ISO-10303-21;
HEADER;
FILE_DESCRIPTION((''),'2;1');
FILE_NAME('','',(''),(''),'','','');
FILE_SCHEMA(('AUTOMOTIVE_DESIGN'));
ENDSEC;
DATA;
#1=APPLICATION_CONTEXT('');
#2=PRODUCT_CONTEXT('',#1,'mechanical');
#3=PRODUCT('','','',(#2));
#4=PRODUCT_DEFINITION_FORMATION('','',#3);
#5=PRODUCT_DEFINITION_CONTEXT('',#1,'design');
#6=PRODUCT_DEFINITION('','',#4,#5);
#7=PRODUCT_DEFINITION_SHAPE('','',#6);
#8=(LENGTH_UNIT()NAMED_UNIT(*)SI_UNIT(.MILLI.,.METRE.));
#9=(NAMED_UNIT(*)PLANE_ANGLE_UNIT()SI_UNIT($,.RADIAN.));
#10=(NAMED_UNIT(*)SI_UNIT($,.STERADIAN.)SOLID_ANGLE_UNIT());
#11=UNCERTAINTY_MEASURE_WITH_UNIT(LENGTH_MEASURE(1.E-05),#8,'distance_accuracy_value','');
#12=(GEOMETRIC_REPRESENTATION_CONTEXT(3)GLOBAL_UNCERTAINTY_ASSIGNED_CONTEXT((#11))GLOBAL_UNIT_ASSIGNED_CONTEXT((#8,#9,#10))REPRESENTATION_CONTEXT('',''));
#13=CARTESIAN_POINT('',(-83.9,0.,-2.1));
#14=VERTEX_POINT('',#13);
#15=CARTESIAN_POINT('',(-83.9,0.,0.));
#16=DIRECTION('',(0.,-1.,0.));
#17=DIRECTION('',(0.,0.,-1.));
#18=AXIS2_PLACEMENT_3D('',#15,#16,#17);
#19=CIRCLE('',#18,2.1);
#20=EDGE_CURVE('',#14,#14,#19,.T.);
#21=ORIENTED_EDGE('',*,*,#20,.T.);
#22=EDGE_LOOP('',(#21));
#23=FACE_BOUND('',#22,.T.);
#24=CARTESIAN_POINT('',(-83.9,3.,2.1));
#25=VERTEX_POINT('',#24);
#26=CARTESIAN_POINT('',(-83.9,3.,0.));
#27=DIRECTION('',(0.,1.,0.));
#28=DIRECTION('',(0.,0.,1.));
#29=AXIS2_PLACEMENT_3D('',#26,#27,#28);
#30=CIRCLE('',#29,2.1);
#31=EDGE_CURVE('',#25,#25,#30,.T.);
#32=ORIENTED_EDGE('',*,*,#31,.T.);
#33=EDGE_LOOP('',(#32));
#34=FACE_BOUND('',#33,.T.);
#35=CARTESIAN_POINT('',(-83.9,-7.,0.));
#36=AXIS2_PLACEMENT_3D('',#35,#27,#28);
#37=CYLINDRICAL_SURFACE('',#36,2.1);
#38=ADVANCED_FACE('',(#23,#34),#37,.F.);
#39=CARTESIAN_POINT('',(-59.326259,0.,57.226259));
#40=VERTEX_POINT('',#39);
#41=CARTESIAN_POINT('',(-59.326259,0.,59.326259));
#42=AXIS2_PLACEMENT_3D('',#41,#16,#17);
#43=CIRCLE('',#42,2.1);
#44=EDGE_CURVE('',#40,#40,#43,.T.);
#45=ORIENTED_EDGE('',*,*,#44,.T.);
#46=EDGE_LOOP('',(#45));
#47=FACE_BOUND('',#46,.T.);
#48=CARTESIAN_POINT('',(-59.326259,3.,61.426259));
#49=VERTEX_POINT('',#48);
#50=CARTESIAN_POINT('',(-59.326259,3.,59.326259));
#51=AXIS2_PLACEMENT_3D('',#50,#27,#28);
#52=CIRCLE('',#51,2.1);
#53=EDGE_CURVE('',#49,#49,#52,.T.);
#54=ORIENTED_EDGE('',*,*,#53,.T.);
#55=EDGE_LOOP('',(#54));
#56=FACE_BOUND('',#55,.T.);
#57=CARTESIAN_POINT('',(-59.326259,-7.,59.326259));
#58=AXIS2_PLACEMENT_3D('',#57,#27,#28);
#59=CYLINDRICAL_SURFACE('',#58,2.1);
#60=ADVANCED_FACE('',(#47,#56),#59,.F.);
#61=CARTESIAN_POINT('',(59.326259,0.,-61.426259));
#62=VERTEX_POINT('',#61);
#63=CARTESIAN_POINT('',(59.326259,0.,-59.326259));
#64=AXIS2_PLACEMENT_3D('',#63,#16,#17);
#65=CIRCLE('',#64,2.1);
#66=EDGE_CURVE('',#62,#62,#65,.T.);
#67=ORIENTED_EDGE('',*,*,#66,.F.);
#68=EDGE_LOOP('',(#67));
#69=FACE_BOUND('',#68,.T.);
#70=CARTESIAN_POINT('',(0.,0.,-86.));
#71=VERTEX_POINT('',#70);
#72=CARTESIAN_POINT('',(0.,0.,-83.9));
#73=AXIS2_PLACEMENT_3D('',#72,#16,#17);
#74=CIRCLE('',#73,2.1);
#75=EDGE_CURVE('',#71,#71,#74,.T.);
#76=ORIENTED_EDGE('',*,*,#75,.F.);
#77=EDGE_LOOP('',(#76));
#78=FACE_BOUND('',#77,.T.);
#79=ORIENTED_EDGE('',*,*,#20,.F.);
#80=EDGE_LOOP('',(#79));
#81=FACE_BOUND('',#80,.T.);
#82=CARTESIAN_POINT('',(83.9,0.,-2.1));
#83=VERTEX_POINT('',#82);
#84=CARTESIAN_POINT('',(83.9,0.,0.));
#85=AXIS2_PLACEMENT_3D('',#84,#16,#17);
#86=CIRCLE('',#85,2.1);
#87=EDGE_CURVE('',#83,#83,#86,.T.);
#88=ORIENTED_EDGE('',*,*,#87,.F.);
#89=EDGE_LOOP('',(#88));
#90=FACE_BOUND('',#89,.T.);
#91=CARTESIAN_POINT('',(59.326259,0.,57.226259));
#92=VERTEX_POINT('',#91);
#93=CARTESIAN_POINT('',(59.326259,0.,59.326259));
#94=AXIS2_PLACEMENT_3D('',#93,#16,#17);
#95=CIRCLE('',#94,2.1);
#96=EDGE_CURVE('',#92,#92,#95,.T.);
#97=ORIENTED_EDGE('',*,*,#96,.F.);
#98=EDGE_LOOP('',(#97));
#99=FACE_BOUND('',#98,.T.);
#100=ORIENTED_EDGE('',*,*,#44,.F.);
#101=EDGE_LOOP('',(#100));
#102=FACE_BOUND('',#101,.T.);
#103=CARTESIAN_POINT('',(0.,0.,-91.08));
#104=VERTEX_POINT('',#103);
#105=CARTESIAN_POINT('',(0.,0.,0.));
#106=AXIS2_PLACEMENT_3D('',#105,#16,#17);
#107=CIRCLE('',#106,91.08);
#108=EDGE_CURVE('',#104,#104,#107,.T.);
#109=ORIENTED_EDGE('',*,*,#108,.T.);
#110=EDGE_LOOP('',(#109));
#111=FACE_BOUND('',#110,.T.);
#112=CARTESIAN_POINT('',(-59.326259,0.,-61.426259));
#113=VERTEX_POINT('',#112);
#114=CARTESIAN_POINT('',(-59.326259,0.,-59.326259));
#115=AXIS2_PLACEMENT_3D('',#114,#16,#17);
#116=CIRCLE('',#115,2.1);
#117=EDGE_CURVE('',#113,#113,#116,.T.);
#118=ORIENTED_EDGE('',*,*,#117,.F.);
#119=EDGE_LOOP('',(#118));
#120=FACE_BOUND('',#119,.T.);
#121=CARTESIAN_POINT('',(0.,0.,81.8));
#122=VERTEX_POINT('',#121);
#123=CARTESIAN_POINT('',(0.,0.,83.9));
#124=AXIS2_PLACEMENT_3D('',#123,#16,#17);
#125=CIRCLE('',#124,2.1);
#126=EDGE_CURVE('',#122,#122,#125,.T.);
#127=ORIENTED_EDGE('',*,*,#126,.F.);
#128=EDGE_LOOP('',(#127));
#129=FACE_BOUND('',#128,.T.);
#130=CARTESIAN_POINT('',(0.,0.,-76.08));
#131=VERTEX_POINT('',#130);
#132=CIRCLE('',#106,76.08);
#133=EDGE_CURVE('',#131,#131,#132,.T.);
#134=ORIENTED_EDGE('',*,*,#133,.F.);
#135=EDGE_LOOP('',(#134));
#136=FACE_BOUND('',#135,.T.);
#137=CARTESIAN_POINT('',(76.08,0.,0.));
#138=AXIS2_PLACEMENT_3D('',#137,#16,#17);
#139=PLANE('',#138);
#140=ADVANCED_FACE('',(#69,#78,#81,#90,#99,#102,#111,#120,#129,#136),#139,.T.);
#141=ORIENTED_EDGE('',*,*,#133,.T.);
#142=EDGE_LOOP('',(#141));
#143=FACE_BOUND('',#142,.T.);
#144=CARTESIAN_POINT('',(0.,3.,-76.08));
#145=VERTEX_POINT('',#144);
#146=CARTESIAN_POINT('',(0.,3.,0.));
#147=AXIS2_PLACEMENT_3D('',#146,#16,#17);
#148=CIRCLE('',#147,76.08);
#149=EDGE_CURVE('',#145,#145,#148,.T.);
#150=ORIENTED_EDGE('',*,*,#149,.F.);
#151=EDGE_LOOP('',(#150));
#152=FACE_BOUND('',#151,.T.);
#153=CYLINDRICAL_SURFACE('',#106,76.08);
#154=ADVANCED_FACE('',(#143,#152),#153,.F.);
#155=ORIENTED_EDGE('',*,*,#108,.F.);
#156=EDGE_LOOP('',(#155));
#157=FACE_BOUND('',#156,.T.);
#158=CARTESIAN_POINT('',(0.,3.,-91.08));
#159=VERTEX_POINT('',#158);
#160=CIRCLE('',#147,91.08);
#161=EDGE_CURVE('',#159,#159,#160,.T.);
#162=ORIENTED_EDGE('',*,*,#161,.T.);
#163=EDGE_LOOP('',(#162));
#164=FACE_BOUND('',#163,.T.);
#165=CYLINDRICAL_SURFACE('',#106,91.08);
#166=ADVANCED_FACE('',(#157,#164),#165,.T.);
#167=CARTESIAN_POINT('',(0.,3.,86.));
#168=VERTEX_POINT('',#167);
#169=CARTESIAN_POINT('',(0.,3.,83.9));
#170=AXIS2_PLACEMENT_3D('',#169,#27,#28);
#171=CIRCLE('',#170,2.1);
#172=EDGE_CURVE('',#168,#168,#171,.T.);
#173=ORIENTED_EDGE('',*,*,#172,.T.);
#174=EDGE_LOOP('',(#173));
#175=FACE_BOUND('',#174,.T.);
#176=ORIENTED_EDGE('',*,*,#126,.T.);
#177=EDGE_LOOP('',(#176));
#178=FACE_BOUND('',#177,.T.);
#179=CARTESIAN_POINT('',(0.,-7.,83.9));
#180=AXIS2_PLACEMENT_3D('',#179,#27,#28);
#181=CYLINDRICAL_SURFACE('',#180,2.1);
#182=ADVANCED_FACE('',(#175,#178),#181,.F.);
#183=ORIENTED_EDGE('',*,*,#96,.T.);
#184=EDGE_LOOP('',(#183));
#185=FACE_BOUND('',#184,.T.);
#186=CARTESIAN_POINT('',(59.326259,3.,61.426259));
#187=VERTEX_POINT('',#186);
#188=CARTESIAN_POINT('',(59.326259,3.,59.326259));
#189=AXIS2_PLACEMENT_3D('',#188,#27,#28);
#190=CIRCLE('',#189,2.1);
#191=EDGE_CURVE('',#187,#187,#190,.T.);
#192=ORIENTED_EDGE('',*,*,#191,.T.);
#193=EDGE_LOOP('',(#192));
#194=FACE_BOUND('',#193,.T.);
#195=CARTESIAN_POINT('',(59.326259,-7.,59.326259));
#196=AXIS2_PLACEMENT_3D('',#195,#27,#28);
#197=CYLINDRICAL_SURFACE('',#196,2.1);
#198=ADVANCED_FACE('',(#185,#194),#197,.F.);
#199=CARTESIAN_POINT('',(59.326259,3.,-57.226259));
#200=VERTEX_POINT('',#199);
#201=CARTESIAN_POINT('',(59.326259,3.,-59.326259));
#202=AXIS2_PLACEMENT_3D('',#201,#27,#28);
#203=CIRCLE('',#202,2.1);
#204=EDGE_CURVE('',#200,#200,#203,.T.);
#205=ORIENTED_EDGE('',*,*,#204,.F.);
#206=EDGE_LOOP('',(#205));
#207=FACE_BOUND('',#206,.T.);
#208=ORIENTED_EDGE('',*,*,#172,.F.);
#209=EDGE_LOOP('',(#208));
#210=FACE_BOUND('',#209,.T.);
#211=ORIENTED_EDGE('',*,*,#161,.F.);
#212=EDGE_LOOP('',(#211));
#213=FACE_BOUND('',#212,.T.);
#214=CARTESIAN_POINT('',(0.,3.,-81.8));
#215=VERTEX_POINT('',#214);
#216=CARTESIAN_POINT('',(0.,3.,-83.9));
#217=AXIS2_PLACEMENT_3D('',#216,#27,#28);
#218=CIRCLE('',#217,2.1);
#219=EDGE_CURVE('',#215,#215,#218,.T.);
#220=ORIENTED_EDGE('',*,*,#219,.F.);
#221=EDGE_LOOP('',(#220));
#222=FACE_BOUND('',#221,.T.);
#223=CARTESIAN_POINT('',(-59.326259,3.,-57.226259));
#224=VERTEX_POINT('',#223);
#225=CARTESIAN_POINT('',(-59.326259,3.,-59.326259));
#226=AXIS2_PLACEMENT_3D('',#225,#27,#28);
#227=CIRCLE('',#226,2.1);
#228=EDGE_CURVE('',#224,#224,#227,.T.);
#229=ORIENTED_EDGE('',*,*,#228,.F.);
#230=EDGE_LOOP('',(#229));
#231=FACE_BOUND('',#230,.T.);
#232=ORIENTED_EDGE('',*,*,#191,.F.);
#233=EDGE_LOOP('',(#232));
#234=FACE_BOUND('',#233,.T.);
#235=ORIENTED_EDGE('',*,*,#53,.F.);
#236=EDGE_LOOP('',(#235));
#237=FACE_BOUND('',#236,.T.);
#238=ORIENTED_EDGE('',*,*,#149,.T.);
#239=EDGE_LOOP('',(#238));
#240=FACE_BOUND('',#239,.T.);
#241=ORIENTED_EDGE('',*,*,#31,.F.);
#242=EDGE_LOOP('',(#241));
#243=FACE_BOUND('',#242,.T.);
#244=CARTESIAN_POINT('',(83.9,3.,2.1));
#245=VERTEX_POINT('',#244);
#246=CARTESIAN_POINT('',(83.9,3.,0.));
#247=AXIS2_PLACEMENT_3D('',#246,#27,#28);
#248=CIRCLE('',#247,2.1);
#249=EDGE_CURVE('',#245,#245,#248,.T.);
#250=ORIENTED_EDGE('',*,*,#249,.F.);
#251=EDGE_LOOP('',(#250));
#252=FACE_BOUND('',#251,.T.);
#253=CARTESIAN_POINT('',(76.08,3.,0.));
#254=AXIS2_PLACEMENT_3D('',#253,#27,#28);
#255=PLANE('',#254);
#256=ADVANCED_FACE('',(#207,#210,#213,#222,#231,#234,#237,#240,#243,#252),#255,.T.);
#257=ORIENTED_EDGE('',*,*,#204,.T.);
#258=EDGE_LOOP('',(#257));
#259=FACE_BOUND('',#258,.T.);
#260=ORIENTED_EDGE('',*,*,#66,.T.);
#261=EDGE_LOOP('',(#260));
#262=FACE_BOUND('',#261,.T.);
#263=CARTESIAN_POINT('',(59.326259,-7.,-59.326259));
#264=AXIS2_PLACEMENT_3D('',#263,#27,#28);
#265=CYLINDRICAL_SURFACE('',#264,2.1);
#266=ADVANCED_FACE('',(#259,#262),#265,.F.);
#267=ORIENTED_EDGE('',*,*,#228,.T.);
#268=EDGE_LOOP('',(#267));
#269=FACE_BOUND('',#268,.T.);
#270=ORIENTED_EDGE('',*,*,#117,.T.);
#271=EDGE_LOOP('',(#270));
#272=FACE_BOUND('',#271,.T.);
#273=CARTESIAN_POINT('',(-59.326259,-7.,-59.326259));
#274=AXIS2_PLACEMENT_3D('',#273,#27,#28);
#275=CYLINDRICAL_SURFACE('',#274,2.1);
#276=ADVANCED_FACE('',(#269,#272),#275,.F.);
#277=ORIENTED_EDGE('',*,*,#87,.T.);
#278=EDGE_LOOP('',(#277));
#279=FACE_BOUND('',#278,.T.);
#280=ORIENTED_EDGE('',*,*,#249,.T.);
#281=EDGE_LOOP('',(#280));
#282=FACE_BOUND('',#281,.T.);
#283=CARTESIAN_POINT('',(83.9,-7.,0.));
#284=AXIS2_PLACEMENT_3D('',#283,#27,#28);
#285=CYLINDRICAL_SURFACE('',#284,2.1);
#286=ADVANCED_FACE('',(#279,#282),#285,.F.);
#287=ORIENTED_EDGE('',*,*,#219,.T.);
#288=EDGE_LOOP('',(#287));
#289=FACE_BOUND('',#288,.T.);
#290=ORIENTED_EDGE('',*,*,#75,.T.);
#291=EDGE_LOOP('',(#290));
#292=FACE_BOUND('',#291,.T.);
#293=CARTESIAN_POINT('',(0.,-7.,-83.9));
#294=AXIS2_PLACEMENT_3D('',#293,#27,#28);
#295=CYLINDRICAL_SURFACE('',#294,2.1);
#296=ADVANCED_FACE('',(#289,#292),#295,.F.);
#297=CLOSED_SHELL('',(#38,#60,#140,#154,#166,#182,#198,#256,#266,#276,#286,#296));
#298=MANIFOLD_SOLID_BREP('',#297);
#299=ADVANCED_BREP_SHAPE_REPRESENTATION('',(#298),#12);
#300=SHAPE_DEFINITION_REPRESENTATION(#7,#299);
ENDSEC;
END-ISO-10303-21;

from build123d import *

# Parameters (mm, degrees)
SKETCH_1_W          = 15
SKETCH_1_H          = 3
SKETCH_2_R          = 2.1
CUT_EXTRUDE_1_DEPTH = 10


with BuildPart() as part:
    # 草图1 → 旋转1 (revolve)
    with BuildSketch(Plane.XY, mode=Mode.PRIVATE) as revolve_1_sk:
        with Locations((83.58, 1.5)):
            Rectangle(SKETCH_1_W, SKETCH_1_H)
    revolve(revolve_1_sk.sketch.rotate(Axis((0, 0, 0), (0, 1, 0)), 90), axis=Axis((0, 0, 0), (0, 1, 0)))

    # 草图2 → 切除-拉伸1 (cut)
    with BuildSketch(Plane(origin=(0, 3, 0), x_dir=(1, 0, 0), z_dir=(0, 1, 0))):
        with Locations(Location((-83.9, 0, 0), (0, 0, 270))):
            Circle(SKETCH_2_R)
        with Locations(Location((-59.326258942, 59.326258942, 0), (0, 0, 270))):
            Circle(SKETCH_2_R)
        with Locations(Location((0, 83.9, 0), (0, 0, 270))):
            Circle(SKETCH_2_R)
        with Locations(Location((59.326258942, 59.326258942, 0), (0, 0, 270))):
            Circle(SKETCH_2_R)
        with Locations(Location((83.9, 0, 0), (0, 0, 270))):
            Circle(SKETCH_2_R)
        with Locations(Location((59.326258942, -59.326258942, 0), (0, 0, 270))):
            Circle(SKETCH_2_R)
        with Locations(Location((0, -83.9, 0), (0, 0, 270))):
            Circle(SKETCH_2_R)
        with Locations(Location((-59.326258942, -59.326258942, 0), (0, 0, 270))):
            Circle(SKETCH_2_R)
    extrude(amount=-CUT_EXTRUDE_1_DEPTH, mode=Mode.SUBTRACT)


solid = part.part
